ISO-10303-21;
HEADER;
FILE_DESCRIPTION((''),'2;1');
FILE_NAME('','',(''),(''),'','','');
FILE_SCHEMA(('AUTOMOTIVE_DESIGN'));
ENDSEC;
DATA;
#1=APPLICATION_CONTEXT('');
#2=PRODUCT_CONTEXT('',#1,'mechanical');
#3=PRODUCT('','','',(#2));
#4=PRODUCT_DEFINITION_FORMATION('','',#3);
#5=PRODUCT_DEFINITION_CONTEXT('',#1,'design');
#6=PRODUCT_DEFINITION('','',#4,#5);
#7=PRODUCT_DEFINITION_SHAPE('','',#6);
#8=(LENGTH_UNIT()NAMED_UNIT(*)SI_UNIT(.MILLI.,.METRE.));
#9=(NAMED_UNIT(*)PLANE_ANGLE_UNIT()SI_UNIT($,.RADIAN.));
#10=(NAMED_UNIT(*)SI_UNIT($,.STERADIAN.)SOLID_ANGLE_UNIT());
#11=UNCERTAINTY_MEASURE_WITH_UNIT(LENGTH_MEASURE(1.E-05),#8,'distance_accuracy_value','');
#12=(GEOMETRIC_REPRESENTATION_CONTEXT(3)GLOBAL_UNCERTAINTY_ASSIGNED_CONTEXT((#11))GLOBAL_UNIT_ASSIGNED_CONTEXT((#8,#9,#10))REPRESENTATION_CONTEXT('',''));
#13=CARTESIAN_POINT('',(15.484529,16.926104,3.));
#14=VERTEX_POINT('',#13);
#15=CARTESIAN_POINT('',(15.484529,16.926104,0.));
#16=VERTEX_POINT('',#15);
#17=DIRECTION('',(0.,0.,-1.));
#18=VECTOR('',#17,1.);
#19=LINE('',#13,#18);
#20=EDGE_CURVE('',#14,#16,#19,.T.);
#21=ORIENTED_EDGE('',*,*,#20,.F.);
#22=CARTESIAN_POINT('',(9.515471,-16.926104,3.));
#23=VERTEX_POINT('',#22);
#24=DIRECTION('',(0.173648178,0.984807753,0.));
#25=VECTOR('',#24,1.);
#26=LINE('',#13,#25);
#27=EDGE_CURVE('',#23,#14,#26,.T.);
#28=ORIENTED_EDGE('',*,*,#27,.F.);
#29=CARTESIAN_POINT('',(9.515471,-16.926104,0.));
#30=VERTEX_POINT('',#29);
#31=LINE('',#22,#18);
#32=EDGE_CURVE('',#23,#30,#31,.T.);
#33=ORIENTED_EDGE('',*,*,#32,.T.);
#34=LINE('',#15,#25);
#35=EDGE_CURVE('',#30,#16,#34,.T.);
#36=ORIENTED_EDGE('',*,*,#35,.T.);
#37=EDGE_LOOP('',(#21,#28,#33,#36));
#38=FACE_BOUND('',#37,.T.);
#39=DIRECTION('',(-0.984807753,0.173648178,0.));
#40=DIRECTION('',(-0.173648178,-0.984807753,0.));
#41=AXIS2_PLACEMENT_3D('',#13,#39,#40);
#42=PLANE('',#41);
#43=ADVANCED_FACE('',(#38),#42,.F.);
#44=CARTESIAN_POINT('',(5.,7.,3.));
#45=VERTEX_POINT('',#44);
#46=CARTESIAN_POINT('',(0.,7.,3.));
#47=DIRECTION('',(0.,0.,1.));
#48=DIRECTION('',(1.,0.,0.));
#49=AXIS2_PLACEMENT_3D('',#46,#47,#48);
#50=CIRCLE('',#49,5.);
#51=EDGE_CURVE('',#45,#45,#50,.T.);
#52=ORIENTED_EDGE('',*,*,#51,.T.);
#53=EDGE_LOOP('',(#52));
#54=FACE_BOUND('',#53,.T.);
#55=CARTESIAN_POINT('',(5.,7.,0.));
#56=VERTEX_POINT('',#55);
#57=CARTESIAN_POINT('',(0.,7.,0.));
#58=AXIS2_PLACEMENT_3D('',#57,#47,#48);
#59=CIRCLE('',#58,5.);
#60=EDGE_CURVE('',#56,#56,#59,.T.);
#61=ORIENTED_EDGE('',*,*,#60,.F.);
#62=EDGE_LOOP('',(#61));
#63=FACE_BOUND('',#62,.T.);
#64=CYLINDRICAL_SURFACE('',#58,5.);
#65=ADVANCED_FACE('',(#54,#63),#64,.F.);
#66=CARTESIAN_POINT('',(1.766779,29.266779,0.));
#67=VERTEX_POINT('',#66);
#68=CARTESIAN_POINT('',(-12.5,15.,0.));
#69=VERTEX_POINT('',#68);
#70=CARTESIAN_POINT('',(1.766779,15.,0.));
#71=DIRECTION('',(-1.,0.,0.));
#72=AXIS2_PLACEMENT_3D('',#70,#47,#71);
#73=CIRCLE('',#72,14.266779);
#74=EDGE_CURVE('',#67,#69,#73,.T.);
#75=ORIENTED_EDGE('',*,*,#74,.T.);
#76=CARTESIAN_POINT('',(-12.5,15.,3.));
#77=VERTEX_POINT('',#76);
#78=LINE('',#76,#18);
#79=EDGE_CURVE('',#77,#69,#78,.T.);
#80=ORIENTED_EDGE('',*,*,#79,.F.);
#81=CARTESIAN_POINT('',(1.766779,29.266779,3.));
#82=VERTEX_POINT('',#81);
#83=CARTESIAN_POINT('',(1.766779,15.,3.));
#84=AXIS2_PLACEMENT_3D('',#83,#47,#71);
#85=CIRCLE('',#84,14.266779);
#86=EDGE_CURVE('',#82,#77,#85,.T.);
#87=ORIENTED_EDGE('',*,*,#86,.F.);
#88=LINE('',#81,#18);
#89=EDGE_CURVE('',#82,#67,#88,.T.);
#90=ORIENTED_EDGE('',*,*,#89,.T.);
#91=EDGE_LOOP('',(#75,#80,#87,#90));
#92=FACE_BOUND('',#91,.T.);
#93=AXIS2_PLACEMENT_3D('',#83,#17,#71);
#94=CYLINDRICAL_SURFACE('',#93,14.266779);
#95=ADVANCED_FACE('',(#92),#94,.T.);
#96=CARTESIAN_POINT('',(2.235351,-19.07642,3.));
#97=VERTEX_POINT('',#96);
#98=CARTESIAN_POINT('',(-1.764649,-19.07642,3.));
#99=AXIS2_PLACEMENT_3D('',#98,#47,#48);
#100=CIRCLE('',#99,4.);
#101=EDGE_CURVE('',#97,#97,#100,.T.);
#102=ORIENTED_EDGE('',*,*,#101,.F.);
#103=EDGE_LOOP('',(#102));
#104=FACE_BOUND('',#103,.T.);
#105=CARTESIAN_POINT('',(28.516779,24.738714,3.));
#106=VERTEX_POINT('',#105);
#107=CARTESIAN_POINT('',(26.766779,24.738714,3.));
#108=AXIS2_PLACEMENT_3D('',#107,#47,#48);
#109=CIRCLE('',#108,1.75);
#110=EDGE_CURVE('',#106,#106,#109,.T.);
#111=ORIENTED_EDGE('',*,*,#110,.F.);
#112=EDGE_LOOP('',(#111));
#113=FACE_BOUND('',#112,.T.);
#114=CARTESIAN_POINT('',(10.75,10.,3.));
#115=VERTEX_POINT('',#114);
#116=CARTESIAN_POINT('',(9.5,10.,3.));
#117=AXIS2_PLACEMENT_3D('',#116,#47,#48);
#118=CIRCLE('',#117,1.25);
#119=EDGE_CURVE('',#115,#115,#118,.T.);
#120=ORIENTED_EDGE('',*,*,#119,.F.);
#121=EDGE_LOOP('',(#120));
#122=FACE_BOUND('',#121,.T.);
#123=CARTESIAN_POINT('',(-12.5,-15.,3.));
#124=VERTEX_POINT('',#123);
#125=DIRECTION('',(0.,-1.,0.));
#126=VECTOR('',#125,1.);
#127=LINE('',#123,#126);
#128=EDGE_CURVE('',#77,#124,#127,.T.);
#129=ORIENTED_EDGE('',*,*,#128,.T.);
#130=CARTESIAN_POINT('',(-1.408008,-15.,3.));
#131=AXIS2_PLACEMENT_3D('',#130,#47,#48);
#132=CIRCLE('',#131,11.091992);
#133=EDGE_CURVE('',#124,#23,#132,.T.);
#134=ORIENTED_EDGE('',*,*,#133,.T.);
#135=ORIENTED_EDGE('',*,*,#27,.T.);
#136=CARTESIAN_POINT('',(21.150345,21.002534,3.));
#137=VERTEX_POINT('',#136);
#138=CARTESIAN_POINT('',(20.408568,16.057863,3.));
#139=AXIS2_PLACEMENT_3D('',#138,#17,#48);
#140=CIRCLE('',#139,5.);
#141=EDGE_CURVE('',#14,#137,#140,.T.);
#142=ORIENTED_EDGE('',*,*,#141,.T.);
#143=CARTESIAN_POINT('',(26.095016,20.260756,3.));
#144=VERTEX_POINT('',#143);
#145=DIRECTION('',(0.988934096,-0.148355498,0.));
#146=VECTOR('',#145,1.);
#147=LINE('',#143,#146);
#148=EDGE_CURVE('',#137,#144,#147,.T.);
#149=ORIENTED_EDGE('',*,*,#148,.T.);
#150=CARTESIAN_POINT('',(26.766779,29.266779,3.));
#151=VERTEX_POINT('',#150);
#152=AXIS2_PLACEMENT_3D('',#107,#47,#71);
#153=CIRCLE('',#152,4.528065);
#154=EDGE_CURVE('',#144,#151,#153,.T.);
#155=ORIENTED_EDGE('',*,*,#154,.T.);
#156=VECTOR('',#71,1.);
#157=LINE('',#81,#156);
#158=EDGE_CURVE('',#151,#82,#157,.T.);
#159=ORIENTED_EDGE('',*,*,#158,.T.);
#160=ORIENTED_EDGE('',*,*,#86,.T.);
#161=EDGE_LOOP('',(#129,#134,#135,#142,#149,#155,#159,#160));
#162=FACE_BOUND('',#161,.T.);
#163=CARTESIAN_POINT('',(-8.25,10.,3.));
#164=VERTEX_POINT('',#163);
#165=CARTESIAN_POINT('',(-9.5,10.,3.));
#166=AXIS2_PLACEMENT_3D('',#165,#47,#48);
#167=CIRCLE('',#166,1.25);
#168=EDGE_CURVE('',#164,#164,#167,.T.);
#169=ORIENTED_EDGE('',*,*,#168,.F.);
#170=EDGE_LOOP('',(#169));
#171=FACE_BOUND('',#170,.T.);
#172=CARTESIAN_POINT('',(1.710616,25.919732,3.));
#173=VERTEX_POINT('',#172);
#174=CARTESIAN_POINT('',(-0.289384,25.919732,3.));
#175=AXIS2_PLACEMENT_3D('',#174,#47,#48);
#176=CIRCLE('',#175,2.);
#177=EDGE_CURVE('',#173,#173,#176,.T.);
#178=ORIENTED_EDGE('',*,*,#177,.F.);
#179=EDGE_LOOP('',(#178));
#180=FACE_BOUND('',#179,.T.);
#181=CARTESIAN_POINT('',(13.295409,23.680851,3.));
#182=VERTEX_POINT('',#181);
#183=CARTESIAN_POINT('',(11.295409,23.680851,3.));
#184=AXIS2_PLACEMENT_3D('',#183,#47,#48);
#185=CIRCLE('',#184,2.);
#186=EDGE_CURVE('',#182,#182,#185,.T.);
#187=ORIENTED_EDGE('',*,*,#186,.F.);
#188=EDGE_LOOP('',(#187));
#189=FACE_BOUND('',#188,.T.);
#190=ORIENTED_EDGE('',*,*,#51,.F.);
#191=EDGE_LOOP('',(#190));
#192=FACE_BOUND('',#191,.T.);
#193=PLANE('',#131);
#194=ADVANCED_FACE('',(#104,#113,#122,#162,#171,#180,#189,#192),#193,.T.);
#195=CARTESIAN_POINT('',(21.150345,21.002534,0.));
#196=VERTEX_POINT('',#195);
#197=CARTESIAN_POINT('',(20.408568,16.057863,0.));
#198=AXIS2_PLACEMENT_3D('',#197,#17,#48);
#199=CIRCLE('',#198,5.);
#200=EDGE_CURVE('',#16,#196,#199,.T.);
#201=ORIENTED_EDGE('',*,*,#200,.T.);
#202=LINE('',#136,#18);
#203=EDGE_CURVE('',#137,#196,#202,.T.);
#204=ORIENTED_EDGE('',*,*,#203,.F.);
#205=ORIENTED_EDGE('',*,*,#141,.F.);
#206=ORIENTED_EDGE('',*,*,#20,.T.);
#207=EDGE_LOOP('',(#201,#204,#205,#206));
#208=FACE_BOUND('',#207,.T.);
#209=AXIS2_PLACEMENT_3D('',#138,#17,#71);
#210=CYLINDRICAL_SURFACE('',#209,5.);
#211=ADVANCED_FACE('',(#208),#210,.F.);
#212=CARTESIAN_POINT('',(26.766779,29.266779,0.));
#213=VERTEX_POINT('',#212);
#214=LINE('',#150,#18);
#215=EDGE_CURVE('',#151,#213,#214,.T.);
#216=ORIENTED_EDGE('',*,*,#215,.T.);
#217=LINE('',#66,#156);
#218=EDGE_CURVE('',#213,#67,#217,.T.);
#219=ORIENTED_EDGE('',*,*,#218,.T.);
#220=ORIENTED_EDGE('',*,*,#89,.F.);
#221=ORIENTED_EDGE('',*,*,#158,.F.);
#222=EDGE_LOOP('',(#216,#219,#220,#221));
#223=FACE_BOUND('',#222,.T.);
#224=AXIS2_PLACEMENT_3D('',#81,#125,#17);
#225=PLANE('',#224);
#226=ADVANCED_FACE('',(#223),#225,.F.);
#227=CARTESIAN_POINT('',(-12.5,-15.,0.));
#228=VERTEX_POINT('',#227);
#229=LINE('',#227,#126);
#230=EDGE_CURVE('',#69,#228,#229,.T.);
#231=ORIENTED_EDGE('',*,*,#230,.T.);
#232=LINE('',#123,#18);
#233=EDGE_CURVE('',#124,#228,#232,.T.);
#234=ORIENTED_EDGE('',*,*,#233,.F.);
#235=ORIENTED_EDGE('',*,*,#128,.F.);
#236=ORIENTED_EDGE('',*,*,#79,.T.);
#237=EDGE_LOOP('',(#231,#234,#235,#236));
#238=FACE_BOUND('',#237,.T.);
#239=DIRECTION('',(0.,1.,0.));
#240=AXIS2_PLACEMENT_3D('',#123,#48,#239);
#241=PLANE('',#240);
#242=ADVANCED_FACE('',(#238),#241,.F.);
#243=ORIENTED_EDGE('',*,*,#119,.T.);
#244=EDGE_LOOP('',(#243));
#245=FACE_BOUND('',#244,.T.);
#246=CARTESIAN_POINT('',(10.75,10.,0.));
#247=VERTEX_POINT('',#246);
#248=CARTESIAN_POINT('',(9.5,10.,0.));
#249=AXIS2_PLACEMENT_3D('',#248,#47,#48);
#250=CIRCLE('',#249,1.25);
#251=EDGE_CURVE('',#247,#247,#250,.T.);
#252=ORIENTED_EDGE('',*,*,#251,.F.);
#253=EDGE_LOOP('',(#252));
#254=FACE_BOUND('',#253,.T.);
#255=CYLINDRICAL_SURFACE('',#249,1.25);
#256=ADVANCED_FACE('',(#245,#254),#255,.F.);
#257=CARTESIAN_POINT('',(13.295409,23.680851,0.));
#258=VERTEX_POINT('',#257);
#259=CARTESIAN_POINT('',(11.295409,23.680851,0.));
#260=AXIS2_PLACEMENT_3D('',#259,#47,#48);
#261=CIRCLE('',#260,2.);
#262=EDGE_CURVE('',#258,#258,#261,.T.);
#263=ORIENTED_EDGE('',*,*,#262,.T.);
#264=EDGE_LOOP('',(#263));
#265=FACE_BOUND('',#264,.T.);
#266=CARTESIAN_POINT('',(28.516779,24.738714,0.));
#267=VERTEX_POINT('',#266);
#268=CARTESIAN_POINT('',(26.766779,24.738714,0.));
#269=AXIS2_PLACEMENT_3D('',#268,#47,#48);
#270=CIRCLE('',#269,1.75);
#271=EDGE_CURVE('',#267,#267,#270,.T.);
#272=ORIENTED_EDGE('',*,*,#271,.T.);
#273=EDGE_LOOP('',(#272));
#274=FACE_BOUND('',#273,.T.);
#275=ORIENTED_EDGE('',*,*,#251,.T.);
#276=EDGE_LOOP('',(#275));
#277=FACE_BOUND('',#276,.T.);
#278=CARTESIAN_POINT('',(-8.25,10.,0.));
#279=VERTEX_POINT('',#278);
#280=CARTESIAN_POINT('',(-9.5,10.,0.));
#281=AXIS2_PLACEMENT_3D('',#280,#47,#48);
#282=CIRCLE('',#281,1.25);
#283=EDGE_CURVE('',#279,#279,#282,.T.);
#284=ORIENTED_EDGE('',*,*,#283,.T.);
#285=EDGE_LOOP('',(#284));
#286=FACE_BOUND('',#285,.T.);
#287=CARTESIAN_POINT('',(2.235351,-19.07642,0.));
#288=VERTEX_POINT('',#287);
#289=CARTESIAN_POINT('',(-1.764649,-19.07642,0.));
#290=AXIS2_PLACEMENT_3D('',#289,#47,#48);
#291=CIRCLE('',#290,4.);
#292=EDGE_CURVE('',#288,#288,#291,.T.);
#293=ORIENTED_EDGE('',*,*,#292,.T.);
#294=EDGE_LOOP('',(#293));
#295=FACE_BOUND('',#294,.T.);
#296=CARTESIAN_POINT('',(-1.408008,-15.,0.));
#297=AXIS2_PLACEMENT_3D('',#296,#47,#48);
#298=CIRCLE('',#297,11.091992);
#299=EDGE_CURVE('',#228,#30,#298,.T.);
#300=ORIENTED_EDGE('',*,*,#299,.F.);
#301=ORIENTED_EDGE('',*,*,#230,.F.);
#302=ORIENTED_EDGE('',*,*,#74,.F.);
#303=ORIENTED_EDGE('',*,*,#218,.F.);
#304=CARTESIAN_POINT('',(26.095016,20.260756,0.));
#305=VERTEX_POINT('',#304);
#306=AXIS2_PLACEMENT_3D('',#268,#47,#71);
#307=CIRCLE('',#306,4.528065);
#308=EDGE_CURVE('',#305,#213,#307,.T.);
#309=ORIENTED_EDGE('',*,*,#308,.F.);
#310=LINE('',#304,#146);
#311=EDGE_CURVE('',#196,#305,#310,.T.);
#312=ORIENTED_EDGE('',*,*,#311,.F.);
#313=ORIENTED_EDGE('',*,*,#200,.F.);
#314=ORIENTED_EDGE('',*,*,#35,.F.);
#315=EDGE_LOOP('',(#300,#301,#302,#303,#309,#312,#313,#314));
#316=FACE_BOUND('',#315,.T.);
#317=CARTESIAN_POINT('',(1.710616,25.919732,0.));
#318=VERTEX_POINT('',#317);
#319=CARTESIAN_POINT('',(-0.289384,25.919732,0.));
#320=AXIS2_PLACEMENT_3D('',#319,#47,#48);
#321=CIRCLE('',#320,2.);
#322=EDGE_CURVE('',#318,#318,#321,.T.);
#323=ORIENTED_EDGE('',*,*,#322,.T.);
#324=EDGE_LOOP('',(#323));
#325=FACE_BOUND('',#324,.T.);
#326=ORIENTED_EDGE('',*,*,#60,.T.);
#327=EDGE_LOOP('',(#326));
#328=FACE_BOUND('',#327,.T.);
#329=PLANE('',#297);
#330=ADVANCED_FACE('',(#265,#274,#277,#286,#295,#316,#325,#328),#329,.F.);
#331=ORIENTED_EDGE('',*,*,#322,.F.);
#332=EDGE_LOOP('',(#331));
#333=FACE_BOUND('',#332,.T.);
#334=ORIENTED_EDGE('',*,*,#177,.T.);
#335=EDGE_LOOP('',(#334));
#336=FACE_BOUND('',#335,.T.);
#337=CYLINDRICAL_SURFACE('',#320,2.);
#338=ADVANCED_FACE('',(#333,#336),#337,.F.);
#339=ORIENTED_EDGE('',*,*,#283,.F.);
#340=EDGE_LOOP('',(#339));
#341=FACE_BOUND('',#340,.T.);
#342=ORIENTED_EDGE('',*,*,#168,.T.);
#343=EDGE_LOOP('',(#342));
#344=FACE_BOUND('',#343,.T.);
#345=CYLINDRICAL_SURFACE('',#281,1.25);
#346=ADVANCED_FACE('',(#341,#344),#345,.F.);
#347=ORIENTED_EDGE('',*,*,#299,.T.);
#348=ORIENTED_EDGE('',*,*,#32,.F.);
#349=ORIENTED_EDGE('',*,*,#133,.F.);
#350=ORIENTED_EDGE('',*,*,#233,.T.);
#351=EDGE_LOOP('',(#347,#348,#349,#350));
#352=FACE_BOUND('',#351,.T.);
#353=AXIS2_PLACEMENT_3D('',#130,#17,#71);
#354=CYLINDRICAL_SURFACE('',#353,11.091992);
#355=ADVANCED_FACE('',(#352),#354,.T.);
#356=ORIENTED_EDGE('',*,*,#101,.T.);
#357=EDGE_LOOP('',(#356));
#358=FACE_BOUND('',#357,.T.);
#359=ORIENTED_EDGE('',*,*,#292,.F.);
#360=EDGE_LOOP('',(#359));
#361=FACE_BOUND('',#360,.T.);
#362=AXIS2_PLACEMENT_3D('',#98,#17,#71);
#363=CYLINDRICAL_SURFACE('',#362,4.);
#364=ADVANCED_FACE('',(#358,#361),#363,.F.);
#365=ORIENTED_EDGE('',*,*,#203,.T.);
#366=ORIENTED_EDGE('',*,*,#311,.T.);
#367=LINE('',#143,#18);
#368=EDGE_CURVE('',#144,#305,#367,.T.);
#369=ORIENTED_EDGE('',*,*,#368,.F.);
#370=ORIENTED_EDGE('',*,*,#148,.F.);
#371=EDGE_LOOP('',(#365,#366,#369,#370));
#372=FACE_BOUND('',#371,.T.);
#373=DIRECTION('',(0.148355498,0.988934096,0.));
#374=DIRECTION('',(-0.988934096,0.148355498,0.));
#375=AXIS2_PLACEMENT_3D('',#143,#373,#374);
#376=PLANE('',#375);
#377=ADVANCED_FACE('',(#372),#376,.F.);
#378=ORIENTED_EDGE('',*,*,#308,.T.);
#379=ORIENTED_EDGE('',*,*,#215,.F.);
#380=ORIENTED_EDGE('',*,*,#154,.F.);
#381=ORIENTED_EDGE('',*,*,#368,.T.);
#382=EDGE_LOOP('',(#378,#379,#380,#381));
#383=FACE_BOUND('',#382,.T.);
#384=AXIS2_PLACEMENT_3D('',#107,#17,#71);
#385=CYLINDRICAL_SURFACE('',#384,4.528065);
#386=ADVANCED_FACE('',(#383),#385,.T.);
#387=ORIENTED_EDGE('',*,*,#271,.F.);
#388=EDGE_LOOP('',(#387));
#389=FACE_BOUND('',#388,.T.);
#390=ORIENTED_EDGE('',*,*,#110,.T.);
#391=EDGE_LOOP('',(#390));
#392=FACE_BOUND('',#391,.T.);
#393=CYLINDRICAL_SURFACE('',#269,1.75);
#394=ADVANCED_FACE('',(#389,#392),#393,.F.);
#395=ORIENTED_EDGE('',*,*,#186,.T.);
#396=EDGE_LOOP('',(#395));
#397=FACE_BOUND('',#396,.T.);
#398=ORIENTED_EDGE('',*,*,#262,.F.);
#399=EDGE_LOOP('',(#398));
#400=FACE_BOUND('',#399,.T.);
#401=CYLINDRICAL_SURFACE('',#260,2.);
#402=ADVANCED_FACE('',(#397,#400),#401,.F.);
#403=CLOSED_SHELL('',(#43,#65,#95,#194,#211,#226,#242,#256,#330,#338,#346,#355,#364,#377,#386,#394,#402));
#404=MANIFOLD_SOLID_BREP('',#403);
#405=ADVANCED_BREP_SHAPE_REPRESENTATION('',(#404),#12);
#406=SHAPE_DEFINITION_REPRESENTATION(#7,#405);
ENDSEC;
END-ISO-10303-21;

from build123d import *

# Parameters (mm, degrees)
SKETCH3_R           = 4
BOSS_EXTRUDE4_DEPTH = 3
SKETCH5_R           = 1.25
SKETCH5_R_2         = 5
CUT_EXTRUDE2_DEPTH  = 43.952434096
SKETCH6_R           = 1.75
CUT_EXTRUDE3_DEPTH  = 43.952434096
SKETCH8_R           = 2
CUT_EXTRUDE4_DEPTH  = 43.952434096


with BuildPart() as part:
    # Sketch3 → Boss-Extrude4 (new body)
    with BuildSketch(Plane.XY):
        with BuildLine():
            Line((-12.5, -15), (-12.5, 15))
            ThreePointArc((-12.5, 15), (-8.321357206, 25.088136105), (1.766778898, 29.266778898))
            Line((1.766778898, 29.266778898), (26.766778898, 29.266778898))
            ThreePointArc((26.766778898, 29.266778898), (31.28229963, 24.401899264), (26.095015576, 20.260756249))
            Line((26.095015576, 20.260756249), (21.150345096, 21.00253374))
            ThreePointArc((21.150345096, 21.00253374), (17.488439715, 20.116539535), (15.48452884, 16.926104149))
            Line((15.48452884, 16.926104149), (9.51547116, -16.926104149))
            ThreePointArc((9.51547116, -16.926104149), (-2.374739058, -26.049783342), (-12.5, -15))
        make_face()
        with Locations((-1.764648859, -19.076420455)):
            Circle(SKETCH3_R, mode=Mode.SUBTRACT)
    extrude(amount=BOSS_EXTRUDE4_DEPTH)

    # Sketch5 → Cut-Extrude2 (cut, through all)
    with BuildSketch(Plane.XY.offset(3)):
        with Locations((-9.5, 10)):
            Circle(SKETCH5_R)
        with Locations((9.5, 10)):
            Circle(SKETCH5_R)
        with Locations((0, 7)):
            Circle(SKETCH5_R_2)
    extrude(amount=-CUT_EXTRUDE2_DEPTH, mode=Mode.SUBTRACT)

    # Sketch6 → Cut-Extrude3 (cut, through all)
    with BuildSketch(Plane.XY.offset(3)):
        with Locations((26.766778898, 24.738714008)):
            Circle(SKETCH6_R)
    extrude(amount=-CUT_EXTRUDE3_DEPTH, mode=Mode.SUBTRACT)

    # Sketch8 → Cut-Extrude4 (cut, through all)
    with BuildSketch(Plane.XY.offset(3)):
        with Locations((11.295409365, 23.680851427)):
            Circle(SKETCH8_R)
        with Locations((-0.289384278, 25.919731906)):
            Circle(SKETCH8_R)
    extrude(amount=-CUT_EXTRUDE4_DEPTH, mode=Mode.SUBTRACT)


solid = part.part
